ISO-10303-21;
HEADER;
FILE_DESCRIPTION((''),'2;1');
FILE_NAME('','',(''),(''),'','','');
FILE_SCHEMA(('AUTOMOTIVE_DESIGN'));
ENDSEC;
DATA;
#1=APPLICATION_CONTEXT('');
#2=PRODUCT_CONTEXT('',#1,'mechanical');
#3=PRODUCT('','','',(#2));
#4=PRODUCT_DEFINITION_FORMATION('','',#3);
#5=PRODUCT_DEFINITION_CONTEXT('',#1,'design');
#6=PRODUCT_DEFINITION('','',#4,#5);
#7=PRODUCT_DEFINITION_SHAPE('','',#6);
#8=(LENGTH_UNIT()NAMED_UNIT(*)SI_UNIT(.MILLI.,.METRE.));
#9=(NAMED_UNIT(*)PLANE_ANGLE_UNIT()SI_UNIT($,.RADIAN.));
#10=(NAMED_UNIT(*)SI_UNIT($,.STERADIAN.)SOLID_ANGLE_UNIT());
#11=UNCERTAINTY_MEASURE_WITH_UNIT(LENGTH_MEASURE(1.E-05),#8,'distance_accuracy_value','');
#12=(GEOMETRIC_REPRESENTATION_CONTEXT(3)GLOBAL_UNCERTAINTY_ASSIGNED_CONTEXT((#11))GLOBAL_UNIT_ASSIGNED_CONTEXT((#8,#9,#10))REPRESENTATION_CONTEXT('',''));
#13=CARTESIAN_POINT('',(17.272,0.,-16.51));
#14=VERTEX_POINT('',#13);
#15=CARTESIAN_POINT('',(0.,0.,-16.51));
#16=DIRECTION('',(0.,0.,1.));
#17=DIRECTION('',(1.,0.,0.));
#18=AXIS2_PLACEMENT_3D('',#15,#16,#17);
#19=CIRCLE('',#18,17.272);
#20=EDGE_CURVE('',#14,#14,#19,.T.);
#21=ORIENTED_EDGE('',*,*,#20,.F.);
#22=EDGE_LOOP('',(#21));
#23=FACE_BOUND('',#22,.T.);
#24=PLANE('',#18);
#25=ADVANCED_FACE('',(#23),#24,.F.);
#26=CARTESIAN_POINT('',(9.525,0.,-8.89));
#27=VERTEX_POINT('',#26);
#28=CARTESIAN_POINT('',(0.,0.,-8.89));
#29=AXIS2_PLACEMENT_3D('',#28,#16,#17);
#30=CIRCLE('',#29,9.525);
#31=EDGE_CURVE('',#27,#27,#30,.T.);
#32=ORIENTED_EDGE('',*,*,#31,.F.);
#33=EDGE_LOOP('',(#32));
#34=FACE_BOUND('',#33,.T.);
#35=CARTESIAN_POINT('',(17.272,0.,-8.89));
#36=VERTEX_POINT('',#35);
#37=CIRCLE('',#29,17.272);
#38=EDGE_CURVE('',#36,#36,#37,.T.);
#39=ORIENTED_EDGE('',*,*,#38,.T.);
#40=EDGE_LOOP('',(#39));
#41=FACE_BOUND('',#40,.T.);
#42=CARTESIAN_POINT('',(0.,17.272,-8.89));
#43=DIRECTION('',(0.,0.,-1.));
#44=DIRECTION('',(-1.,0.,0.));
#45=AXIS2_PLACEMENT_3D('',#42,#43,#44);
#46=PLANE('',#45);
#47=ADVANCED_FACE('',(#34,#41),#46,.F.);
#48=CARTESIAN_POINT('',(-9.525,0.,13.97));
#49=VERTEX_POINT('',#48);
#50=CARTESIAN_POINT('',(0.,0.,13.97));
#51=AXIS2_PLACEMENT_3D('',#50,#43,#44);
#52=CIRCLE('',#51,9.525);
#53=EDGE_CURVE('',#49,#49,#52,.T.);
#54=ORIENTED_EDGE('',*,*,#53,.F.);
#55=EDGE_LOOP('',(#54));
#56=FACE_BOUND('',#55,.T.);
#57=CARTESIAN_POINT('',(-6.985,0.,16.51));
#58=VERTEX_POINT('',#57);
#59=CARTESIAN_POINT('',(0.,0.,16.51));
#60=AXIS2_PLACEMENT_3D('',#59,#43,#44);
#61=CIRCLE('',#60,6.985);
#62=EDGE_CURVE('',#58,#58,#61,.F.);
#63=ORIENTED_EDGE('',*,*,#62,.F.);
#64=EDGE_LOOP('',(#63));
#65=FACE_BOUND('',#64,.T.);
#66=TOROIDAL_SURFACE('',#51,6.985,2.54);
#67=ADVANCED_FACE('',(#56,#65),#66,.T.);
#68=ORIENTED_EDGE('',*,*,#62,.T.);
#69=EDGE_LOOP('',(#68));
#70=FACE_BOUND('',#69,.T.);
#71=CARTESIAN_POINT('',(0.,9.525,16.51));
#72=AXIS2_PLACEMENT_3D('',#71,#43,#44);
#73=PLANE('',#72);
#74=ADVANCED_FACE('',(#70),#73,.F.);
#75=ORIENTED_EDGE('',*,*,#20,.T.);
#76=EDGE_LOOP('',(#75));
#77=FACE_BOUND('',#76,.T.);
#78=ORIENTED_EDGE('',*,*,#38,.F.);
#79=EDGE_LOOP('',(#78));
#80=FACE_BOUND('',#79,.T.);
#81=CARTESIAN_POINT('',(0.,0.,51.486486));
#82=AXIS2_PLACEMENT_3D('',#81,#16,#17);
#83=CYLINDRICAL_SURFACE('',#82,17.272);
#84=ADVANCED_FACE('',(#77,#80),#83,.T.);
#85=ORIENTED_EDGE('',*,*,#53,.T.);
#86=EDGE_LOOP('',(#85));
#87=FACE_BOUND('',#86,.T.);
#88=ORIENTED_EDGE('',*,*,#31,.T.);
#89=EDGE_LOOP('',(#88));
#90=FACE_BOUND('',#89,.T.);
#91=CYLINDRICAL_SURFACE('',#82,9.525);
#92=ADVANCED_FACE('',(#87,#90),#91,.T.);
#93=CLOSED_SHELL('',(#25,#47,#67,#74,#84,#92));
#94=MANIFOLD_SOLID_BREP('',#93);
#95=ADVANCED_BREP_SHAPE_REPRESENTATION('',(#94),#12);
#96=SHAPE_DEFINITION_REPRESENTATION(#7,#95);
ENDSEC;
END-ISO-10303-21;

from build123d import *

# Parameters (mm, degrees)
FILLET1_R = 2.54


with BuildPart() as part:
    # Sketch1 → Revolve1 (revolve)
    with BuildSketch(Plane(origin=(0, 0, 0), x_dir=(0, 0, -1), z_dir=(1, 0, 0)), mode=Mode.PRIVATE) as revolve1_sk:
        Polygon((16.51, 0), (16.51, 17.272), (8.89, 17.272), (8.89, 9.525), (-16.51, 9.525), (-16.51, 0), align=None)
    revolve(revolve1_sk.sketch.rotate(Axis((0, 0, 51.486486486), (0, 0, -1)), 90), axis=Axis((0, 0, 51.486486486), (0, 0, -1)))

    # Fillet1
    fillet1_edges = [part.edges().sort_by_distance(p)[0] for p in [
        (-9.525, 0, 16.51),
    ]]
    fillet(fillet1_edges, radius=FILLET1_R)


solid = part.part
